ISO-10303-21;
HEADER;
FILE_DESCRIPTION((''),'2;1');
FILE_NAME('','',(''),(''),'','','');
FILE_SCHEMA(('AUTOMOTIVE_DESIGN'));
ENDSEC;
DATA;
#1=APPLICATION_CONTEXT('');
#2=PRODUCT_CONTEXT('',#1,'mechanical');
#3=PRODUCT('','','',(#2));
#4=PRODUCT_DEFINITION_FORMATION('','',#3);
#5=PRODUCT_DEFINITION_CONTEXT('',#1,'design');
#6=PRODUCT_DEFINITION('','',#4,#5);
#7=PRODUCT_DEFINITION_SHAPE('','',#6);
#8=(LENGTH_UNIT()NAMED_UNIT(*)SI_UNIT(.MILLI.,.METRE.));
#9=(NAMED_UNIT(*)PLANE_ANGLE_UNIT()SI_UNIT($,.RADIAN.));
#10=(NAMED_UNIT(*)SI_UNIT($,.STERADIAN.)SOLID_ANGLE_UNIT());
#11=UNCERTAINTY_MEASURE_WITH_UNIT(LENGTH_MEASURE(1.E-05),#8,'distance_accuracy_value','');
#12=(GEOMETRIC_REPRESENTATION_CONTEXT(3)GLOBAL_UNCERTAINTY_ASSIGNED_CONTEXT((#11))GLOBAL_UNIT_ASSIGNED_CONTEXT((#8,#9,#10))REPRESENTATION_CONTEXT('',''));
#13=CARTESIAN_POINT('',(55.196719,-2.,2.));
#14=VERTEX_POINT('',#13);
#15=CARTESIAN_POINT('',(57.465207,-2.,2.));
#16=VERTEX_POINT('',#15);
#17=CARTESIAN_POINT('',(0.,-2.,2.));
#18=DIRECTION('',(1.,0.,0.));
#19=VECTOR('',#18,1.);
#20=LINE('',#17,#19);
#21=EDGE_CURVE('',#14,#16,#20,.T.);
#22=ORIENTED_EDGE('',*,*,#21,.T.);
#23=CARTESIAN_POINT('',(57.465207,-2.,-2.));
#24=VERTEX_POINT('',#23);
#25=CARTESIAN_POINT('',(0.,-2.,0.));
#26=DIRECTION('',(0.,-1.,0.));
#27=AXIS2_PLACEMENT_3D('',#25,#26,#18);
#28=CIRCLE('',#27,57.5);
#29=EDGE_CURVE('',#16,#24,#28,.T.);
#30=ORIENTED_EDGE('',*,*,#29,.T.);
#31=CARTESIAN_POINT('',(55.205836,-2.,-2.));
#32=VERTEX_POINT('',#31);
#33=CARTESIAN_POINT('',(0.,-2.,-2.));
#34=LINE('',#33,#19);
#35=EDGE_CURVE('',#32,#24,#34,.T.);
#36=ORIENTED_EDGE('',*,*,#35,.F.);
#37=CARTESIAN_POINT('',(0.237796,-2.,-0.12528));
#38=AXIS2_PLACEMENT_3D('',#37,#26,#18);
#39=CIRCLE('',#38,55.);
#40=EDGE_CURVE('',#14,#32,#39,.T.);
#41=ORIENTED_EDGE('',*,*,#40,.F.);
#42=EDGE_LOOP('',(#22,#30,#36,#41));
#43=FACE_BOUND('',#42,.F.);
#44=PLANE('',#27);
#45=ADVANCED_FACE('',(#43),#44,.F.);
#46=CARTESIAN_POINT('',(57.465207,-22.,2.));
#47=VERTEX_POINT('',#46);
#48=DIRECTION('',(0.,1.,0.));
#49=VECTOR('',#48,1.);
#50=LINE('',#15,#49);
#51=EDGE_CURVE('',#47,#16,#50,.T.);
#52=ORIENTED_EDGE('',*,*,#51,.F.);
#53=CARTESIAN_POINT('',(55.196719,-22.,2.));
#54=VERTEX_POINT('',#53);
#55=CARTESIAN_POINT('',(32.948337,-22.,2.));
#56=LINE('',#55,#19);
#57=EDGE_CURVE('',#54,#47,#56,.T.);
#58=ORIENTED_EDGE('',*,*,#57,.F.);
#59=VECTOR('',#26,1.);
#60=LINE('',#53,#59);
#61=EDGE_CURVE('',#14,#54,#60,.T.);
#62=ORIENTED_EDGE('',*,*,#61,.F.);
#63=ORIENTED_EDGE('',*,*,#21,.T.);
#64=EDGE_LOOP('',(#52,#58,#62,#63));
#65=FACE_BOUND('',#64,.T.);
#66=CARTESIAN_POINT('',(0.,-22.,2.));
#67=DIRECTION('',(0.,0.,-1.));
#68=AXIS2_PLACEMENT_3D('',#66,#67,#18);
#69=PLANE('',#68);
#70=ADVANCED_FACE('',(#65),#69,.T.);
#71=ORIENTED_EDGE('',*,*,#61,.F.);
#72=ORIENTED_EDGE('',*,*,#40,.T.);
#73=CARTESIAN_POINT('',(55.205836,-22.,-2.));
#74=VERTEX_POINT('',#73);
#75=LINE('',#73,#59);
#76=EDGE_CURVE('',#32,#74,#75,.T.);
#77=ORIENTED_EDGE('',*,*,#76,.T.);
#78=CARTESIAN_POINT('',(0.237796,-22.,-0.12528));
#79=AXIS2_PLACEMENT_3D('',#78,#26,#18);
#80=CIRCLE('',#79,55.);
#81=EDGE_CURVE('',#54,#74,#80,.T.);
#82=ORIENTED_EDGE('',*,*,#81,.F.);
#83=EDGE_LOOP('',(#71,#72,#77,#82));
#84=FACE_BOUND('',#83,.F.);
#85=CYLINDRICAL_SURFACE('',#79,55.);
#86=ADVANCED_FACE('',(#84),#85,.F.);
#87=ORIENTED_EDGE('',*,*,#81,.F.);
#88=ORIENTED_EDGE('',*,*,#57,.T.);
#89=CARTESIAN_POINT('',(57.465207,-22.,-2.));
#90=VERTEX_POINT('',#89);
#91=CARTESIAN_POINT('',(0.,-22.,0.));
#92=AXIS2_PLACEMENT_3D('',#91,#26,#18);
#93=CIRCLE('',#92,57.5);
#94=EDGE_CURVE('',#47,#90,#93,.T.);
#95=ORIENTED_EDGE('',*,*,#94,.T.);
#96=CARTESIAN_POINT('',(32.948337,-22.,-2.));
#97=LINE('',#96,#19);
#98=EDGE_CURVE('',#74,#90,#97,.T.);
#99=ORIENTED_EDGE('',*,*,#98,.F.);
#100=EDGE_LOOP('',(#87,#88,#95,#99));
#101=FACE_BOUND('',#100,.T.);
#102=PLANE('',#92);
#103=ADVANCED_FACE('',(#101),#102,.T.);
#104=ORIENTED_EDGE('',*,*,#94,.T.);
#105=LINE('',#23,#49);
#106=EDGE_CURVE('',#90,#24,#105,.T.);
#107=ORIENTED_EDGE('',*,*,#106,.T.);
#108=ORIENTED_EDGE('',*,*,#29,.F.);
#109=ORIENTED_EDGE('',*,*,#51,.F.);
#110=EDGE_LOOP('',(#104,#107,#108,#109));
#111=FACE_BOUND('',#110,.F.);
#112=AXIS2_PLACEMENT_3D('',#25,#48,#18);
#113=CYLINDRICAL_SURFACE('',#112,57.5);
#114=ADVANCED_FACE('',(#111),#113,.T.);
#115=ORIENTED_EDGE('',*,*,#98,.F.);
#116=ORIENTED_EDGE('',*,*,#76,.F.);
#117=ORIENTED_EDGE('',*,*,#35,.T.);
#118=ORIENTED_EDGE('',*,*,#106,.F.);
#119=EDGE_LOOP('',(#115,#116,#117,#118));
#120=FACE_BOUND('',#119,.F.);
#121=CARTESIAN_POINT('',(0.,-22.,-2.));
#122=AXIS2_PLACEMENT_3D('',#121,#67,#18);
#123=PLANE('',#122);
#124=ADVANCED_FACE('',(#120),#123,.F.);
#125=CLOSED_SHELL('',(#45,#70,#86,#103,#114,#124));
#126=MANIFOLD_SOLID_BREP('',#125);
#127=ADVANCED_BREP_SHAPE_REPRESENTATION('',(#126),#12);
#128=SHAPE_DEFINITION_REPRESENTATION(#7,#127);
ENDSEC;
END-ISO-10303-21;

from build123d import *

# Parameters (mm, degrees)
SKETCH002_R     = 57.5
PAD002_DEPTH    = 20
SKETCH003_R     = 55
POCKET_DEPTH    = 25
SKETCH004_W     = 65.896674
SKETCH004_H     = 4
POCKET001_DEPTH = 21


with BuildPart() as part:
    # Sketch002 → Pad002 (new body)
    with BuildSketch(Plane.XZ):
        Circle(SKETCH002_R)
    extrude(amount=PAD002_DEPTH)

    # Sketch003 (on Face3 of Pad002) → Pocket (cut)
    with BuildSketch(Plane.XZ.offset(20)):
        with Locations((0.237796, -0.12528)):
            Circle(SKETCH003_R)
    extrude(amount=-POCKET_DEPTH, mode=Mode.SUBTRACT)

    # Sketch004 (on Face3 of Pocket) → Pocket001 (cut)
    with BuildSketch(Plane.XZ.offset(20)):
        with Locations((32.948337, 0)):
            Rectangle(SKETCH004_W, SKETCH004_H)
    extrude(amount=-POCKET001_DEPTH, mode=Mode.SUBTRACT)


with BuildPart() as part_1:
    # Body001 placement: moved
    add(part.part.moved(Location((0, -2, 0))))


solid = part_1.part
